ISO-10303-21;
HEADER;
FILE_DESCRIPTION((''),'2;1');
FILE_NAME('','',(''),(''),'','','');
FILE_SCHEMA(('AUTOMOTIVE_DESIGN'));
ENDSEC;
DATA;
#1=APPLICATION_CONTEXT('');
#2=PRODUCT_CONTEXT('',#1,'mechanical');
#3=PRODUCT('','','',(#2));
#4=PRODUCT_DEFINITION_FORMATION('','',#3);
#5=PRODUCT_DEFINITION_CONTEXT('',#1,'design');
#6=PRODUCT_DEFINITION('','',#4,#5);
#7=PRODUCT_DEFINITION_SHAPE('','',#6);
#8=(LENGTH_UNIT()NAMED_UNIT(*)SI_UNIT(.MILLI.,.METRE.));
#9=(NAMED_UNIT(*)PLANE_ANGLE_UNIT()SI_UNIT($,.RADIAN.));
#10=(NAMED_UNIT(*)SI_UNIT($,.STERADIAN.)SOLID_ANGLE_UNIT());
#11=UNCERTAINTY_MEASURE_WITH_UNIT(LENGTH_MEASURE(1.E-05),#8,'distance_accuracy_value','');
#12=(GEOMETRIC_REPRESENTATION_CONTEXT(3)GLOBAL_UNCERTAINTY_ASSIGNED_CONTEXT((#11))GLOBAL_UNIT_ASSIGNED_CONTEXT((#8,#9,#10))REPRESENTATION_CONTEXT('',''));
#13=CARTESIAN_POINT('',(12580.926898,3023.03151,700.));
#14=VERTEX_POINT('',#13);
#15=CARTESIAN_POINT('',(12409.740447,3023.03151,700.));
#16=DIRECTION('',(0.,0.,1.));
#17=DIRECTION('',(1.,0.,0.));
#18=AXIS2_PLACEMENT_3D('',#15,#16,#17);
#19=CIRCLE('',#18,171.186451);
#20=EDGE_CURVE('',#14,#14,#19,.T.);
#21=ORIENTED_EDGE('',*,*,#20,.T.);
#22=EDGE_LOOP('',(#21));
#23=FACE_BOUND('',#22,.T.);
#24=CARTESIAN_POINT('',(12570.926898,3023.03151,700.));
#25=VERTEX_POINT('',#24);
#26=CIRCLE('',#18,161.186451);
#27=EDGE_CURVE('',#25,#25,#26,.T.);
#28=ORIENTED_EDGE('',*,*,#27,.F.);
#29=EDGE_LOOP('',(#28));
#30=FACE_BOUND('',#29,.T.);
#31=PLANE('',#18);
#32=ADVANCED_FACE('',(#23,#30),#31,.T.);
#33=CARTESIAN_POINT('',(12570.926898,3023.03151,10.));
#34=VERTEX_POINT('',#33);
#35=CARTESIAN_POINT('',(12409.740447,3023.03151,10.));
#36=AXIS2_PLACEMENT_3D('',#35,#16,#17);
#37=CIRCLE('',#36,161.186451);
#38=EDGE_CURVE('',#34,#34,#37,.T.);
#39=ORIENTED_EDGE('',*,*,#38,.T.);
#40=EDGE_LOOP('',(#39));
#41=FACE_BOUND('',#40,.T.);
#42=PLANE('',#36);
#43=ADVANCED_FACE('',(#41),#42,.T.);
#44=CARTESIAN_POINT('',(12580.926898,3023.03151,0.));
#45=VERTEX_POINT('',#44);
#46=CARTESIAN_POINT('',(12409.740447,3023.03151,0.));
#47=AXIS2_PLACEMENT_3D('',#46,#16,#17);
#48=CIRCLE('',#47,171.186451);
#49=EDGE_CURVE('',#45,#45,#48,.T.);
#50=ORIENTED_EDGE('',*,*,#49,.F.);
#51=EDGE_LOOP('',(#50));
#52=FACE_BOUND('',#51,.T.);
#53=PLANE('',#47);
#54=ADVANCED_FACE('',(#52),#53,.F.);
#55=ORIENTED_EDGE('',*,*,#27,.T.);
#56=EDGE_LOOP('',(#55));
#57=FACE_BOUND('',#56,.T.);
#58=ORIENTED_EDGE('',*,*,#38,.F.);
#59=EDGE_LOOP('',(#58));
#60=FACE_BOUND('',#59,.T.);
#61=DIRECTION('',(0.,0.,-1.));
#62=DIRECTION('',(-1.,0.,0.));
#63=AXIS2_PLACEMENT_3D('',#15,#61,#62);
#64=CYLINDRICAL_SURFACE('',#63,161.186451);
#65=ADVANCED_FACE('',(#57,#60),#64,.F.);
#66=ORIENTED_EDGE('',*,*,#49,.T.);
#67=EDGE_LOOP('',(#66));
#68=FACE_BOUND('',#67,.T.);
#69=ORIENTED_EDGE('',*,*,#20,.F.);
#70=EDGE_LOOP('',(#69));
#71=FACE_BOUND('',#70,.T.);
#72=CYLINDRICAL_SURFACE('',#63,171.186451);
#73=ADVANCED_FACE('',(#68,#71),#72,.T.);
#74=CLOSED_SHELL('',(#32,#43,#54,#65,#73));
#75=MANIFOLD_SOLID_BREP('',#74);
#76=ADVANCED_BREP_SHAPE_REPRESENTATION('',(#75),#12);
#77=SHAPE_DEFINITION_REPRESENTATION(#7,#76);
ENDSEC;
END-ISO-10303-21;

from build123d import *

# Parameters (mm, degrees)
SKETCH4_R           = 171.186451308
SKETCH4_R_2         = 161.186451308
EXTRUDE_THIN1_DEPTH = 700
SKETCH5_R           = 171.186451308
BOSS_EXTRUDE1_DEPTH = 10


with BuildPart() as part:
    # Sketch4 → Extrude-Thin1 (new body)
    with BuildSketch(Plane.XY):
        with Locations((12409.740446877, 3023.031510129)):
            Circle(SKETCH4_R)
        with Locations((12409.740446877, 3023.031510129)):
            Circle(SKETCH4_R_2, mode=Mode.SUBTRACT)
    extrude(amount=EXTRUDE_THIN1_DEPTH)

    # Sketch5 → Boss-Extrude1 (add)
    with BuildSketch(Plane.XY):
        with Locations((12409.740446877, 3023.031510129)):
            Circle(SKETCH5_R)
    extrude(amount=BOSS_EXTRUDE1_DEPTH)


solid = part.part
